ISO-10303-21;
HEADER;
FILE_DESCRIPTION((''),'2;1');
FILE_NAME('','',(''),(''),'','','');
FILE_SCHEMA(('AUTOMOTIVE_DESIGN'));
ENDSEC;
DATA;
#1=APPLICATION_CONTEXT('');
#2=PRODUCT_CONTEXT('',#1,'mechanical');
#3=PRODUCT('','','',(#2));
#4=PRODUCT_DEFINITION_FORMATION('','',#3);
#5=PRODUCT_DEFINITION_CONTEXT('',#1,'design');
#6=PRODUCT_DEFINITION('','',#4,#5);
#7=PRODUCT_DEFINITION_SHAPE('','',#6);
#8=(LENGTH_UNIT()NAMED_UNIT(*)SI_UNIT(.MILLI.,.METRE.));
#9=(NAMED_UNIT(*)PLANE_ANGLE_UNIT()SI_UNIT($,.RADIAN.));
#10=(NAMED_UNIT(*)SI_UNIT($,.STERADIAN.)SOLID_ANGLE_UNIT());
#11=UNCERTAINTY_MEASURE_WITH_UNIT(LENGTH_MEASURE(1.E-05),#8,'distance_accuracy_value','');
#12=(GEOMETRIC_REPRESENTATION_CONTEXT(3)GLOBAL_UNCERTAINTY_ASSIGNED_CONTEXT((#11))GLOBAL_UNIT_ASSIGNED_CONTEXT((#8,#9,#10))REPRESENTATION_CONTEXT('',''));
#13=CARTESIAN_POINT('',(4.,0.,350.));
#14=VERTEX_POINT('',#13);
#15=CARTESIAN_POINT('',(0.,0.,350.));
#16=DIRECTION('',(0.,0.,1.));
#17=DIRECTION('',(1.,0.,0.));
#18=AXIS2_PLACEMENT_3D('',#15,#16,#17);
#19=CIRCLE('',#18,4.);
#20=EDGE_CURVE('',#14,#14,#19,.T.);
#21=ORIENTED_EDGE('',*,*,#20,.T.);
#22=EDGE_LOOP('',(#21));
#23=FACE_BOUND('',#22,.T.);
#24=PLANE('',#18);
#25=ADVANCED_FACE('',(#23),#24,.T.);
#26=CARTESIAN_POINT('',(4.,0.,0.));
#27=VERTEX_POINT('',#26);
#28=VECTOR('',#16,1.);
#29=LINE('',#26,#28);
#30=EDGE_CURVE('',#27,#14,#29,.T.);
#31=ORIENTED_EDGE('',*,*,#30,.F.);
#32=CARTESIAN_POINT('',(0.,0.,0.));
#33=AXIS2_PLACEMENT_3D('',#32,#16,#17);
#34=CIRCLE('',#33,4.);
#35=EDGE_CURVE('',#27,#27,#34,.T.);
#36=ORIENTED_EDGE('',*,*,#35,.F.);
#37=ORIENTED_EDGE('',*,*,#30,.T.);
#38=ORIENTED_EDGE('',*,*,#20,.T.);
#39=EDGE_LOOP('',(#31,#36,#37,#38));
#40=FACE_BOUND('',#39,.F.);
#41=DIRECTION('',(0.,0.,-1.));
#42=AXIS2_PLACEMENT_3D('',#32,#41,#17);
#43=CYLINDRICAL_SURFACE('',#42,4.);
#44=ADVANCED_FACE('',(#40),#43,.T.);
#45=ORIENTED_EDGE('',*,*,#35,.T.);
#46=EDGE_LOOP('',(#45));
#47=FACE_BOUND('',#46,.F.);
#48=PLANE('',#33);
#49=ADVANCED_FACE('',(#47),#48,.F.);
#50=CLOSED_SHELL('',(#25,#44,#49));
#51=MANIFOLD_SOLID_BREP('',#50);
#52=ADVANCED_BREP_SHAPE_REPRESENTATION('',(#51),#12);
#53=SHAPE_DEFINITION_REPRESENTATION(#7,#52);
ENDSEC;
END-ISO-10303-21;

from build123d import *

# Parameters (mm, degrees)
ESBO_O1_R                = 4
RESSALTO_EXTRUS_O1_DEPTH = 350


with BuildPart() as part:
    # Esboço1 → Ressalto-extrusão1 (new body)
    with BuildSketch(Plane.XY):
        Circle(ESBO_O1_R)
    extrude(amount=RESSALTO_EXTRUS_O1_DEPTH)


solid = part.part
